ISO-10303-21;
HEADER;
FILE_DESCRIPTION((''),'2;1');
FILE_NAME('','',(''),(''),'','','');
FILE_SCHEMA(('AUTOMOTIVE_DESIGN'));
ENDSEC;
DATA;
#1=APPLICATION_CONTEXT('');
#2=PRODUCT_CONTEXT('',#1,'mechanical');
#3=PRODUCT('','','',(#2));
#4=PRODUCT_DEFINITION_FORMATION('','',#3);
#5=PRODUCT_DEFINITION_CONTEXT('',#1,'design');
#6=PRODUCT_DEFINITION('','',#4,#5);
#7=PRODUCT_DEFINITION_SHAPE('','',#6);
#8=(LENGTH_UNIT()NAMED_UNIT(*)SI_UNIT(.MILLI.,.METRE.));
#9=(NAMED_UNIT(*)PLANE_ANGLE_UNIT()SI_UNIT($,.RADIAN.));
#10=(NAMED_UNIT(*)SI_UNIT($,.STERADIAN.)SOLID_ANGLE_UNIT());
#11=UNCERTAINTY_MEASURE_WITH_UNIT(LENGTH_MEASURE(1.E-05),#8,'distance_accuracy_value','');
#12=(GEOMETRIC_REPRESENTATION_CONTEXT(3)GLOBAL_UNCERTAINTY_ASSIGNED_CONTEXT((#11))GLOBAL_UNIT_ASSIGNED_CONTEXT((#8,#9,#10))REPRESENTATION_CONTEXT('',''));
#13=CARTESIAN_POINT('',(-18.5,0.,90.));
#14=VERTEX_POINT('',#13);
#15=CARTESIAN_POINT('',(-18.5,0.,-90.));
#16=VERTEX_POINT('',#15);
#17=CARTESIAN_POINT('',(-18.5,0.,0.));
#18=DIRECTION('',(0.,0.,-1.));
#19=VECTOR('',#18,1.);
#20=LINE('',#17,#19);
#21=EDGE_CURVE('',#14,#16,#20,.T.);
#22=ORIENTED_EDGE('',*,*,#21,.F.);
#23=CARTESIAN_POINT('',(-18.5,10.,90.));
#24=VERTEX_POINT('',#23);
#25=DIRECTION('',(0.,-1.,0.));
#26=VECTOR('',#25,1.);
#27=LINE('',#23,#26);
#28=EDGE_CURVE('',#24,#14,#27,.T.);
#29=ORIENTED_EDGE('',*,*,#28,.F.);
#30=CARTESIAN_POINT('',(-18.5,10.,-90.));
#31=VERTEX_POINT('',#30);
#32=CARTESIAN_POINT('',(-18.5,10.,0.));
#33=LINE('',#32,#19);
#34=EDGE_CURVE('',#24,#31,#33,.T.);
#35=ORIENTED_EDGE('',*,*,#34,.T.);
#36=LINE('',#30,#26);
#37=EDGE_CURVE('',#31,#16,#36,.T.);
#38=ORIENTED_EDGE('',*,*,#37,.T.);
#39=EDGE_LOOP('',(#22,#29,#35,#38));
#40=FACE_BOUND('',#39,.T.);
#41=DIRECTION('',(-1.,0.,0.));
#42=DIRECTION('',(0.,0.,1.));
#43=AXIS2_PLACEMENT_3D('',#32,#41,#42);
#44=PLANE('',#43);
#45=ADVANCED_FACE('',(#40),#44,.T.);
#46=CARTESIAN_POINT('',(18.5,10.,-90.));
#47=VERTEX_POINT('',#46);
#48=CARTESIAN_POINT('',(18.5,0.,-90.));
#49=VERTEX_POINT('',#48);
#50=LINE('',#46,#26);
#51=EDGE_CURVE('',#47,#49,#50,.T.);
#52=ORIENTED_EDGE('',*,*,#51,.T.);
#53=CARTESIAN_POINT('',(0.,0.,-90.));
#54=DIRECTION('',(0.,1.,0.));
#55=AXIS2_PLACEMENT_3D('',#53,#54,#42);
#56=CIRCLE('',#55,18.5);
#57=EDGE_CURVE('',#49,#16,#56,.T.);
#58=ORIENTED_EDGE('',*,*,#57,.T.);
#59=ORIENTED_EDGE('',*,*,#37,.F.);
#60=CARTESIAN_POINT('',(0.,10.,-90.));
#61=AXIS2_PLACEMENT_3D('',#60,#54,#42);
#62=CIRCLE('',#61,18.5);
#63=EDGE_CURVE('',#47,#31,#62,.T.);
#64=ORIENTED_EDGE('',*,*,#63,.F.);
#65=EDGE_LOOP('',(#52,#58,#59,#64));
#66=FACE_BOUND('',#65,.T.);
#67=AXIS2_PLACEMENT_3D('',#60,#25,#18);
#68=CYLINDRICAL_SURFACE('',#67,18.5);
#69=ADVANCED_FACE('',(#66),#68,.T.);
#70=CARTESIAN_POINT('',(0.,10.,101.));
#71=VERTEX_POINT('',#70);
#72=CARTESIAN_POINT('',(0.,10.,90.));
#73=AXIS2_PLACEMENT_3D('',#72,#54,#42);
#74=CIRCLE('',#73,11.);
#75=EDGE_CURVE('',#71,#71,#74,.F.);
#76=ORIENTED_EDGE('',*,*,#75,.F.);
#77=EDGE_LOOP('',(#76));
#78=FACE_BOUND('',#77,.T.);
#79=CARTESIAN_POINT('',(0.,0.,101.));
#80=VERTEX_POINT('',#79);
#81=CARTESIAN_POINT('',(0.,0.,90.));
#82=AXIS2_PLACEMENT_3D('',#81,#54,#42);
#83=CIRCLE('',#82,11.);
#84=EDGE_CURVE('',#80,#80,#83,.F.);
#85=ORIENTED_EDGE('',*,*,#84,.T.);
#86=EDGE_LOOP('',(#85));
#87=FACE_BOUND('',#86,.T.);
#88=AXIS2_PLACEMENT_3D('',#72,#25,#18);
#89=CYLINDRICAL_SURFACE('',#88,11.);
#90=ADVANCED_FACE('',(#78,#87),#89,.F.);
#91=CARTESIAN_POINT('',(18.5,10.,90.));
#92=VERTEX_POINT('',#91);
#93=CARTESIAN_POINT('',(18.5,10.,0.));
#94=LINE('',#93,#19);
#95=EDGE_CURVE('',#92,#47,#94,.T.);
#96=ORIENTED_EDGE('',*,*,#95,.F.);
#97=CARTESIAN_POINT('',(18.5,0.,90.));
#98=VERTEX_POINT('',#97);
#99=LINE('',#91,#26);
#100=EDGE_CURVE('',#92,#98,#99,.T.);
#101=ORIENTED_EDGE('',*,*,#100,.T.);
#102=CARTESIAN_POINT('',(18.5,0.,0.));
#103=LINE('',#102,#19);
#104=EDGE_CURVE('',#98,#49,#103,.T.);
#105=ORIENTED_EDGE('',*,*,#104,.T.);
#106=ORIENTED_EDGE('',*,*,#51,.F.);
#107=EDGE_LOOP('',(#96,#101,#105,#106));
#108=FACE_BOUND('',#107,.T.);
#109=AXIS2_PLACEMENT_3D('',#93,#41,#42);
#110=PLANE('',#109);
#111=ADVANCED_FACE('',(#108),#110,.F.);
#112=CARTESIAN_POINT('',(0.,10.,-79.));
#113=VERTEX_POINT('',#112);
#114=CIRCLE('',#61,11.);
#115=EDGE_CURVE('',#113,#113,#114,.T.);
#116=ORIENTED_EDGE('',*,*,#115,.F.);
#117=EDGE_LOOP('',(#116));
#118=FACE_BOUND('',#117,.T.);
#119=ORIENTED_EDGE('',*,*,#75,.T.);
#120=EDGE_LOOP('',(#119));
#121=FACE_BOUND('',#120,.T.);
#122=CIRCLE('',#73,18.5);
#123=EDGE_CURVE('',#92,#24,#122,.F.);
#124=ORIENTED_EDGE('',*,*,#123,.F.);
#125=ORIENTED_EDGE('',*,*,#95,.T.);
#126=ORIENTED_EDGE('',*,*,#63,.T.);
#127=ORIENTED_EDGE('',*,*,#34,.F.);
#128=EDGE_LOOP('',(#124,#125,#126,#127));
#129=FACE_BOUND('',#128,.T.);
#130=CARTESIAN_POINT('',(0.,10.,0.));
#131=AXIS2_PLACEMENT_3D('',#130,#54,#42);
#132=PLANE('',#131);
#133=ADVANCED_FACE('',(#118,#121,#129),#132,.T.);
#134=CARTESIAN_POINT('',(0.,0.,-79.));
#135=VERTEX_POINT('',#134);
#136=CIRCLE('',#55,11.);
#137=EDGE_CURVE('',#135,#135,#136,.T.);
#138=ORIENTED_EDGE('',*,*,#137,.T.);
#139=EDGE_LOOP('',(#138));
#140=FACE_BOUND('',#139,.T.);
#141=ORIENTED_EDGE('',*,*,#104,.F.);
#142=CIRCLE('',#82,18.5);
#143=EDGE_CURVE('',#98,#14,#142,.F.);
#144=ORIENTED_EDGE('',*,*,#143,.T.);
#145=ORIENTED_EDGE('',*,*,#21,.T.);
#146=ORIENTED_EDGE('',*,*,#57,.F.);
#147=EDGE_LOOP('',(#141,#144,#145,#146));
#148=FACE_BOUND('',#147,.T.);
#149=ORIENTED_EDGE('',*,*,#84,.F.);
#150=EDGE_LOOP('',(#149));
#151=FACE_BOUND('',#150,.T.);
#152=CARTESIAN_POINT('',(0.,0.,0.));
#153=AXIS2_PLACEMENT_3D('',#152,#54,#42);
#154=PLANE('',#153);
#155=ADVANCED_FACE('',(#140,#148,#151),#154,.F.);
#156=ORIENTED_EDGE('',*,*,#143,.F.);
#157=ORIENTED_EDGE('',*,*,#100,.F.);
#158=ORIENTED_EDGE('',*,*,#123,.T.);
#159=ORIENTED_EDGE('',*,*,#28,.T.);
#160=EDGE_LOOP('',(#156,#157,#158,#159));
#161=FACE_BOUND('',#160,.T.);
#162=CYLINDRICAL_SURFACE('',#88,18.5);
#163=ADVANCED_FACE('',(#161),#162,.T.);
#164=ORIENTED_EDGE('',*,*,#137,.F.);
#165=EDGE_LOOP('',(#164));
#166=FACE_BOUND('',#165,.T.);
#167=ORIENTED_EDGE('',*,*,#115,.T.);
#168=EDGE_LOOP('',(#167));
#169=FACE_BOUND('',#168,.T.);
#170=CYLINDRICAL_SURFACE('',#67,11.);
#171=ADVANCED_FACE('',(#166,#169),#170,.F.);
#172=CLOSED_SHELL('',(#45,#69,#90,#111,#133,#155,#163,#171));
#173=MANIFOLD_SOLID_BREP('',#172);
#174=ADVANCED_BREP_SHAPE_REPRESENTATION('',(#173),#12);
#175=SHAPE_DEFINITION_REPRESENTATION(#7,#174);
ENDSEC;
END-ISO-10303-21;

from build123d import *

# Parameters (mm, degrees)
SKETCH1_R           = 11
BOSS_EXTRUDE1_DEPTH = 10


with BuildPart() as part:
    # Sketch1 → Boss-Extrude1 (new body)
    with BuildSketch(Plane(origin=(0, 0, 0), x_dir=(1, 0, 0), z_dir=(0, 1, 0))):
        with BuildLine():
            Line((-18.5, -90), (-18.5, 90))
            ThreePointArc((-18.5, 90), (0, 108.5), (18.5, 90))
            Line((18.5, 90), (18.5, -90))
            ThreePointArc((18.5, -90), (0, -108.5), (-18.5, -90))
        make_face()
        with Locations(Location((0, 90, 0), (0, 0, 270))):
            Circle(SKETCH1_R, mode=Mode.SUBTRACT)
        with Locations(Location((0, -90, 0), (0, 0, 270))):
            Circle(SKETCH1_R, mode=Mode.SUBTRACT)
    extrude(amount=BOSS_EXTRUDE1_DEPTH)


solid = part.part
